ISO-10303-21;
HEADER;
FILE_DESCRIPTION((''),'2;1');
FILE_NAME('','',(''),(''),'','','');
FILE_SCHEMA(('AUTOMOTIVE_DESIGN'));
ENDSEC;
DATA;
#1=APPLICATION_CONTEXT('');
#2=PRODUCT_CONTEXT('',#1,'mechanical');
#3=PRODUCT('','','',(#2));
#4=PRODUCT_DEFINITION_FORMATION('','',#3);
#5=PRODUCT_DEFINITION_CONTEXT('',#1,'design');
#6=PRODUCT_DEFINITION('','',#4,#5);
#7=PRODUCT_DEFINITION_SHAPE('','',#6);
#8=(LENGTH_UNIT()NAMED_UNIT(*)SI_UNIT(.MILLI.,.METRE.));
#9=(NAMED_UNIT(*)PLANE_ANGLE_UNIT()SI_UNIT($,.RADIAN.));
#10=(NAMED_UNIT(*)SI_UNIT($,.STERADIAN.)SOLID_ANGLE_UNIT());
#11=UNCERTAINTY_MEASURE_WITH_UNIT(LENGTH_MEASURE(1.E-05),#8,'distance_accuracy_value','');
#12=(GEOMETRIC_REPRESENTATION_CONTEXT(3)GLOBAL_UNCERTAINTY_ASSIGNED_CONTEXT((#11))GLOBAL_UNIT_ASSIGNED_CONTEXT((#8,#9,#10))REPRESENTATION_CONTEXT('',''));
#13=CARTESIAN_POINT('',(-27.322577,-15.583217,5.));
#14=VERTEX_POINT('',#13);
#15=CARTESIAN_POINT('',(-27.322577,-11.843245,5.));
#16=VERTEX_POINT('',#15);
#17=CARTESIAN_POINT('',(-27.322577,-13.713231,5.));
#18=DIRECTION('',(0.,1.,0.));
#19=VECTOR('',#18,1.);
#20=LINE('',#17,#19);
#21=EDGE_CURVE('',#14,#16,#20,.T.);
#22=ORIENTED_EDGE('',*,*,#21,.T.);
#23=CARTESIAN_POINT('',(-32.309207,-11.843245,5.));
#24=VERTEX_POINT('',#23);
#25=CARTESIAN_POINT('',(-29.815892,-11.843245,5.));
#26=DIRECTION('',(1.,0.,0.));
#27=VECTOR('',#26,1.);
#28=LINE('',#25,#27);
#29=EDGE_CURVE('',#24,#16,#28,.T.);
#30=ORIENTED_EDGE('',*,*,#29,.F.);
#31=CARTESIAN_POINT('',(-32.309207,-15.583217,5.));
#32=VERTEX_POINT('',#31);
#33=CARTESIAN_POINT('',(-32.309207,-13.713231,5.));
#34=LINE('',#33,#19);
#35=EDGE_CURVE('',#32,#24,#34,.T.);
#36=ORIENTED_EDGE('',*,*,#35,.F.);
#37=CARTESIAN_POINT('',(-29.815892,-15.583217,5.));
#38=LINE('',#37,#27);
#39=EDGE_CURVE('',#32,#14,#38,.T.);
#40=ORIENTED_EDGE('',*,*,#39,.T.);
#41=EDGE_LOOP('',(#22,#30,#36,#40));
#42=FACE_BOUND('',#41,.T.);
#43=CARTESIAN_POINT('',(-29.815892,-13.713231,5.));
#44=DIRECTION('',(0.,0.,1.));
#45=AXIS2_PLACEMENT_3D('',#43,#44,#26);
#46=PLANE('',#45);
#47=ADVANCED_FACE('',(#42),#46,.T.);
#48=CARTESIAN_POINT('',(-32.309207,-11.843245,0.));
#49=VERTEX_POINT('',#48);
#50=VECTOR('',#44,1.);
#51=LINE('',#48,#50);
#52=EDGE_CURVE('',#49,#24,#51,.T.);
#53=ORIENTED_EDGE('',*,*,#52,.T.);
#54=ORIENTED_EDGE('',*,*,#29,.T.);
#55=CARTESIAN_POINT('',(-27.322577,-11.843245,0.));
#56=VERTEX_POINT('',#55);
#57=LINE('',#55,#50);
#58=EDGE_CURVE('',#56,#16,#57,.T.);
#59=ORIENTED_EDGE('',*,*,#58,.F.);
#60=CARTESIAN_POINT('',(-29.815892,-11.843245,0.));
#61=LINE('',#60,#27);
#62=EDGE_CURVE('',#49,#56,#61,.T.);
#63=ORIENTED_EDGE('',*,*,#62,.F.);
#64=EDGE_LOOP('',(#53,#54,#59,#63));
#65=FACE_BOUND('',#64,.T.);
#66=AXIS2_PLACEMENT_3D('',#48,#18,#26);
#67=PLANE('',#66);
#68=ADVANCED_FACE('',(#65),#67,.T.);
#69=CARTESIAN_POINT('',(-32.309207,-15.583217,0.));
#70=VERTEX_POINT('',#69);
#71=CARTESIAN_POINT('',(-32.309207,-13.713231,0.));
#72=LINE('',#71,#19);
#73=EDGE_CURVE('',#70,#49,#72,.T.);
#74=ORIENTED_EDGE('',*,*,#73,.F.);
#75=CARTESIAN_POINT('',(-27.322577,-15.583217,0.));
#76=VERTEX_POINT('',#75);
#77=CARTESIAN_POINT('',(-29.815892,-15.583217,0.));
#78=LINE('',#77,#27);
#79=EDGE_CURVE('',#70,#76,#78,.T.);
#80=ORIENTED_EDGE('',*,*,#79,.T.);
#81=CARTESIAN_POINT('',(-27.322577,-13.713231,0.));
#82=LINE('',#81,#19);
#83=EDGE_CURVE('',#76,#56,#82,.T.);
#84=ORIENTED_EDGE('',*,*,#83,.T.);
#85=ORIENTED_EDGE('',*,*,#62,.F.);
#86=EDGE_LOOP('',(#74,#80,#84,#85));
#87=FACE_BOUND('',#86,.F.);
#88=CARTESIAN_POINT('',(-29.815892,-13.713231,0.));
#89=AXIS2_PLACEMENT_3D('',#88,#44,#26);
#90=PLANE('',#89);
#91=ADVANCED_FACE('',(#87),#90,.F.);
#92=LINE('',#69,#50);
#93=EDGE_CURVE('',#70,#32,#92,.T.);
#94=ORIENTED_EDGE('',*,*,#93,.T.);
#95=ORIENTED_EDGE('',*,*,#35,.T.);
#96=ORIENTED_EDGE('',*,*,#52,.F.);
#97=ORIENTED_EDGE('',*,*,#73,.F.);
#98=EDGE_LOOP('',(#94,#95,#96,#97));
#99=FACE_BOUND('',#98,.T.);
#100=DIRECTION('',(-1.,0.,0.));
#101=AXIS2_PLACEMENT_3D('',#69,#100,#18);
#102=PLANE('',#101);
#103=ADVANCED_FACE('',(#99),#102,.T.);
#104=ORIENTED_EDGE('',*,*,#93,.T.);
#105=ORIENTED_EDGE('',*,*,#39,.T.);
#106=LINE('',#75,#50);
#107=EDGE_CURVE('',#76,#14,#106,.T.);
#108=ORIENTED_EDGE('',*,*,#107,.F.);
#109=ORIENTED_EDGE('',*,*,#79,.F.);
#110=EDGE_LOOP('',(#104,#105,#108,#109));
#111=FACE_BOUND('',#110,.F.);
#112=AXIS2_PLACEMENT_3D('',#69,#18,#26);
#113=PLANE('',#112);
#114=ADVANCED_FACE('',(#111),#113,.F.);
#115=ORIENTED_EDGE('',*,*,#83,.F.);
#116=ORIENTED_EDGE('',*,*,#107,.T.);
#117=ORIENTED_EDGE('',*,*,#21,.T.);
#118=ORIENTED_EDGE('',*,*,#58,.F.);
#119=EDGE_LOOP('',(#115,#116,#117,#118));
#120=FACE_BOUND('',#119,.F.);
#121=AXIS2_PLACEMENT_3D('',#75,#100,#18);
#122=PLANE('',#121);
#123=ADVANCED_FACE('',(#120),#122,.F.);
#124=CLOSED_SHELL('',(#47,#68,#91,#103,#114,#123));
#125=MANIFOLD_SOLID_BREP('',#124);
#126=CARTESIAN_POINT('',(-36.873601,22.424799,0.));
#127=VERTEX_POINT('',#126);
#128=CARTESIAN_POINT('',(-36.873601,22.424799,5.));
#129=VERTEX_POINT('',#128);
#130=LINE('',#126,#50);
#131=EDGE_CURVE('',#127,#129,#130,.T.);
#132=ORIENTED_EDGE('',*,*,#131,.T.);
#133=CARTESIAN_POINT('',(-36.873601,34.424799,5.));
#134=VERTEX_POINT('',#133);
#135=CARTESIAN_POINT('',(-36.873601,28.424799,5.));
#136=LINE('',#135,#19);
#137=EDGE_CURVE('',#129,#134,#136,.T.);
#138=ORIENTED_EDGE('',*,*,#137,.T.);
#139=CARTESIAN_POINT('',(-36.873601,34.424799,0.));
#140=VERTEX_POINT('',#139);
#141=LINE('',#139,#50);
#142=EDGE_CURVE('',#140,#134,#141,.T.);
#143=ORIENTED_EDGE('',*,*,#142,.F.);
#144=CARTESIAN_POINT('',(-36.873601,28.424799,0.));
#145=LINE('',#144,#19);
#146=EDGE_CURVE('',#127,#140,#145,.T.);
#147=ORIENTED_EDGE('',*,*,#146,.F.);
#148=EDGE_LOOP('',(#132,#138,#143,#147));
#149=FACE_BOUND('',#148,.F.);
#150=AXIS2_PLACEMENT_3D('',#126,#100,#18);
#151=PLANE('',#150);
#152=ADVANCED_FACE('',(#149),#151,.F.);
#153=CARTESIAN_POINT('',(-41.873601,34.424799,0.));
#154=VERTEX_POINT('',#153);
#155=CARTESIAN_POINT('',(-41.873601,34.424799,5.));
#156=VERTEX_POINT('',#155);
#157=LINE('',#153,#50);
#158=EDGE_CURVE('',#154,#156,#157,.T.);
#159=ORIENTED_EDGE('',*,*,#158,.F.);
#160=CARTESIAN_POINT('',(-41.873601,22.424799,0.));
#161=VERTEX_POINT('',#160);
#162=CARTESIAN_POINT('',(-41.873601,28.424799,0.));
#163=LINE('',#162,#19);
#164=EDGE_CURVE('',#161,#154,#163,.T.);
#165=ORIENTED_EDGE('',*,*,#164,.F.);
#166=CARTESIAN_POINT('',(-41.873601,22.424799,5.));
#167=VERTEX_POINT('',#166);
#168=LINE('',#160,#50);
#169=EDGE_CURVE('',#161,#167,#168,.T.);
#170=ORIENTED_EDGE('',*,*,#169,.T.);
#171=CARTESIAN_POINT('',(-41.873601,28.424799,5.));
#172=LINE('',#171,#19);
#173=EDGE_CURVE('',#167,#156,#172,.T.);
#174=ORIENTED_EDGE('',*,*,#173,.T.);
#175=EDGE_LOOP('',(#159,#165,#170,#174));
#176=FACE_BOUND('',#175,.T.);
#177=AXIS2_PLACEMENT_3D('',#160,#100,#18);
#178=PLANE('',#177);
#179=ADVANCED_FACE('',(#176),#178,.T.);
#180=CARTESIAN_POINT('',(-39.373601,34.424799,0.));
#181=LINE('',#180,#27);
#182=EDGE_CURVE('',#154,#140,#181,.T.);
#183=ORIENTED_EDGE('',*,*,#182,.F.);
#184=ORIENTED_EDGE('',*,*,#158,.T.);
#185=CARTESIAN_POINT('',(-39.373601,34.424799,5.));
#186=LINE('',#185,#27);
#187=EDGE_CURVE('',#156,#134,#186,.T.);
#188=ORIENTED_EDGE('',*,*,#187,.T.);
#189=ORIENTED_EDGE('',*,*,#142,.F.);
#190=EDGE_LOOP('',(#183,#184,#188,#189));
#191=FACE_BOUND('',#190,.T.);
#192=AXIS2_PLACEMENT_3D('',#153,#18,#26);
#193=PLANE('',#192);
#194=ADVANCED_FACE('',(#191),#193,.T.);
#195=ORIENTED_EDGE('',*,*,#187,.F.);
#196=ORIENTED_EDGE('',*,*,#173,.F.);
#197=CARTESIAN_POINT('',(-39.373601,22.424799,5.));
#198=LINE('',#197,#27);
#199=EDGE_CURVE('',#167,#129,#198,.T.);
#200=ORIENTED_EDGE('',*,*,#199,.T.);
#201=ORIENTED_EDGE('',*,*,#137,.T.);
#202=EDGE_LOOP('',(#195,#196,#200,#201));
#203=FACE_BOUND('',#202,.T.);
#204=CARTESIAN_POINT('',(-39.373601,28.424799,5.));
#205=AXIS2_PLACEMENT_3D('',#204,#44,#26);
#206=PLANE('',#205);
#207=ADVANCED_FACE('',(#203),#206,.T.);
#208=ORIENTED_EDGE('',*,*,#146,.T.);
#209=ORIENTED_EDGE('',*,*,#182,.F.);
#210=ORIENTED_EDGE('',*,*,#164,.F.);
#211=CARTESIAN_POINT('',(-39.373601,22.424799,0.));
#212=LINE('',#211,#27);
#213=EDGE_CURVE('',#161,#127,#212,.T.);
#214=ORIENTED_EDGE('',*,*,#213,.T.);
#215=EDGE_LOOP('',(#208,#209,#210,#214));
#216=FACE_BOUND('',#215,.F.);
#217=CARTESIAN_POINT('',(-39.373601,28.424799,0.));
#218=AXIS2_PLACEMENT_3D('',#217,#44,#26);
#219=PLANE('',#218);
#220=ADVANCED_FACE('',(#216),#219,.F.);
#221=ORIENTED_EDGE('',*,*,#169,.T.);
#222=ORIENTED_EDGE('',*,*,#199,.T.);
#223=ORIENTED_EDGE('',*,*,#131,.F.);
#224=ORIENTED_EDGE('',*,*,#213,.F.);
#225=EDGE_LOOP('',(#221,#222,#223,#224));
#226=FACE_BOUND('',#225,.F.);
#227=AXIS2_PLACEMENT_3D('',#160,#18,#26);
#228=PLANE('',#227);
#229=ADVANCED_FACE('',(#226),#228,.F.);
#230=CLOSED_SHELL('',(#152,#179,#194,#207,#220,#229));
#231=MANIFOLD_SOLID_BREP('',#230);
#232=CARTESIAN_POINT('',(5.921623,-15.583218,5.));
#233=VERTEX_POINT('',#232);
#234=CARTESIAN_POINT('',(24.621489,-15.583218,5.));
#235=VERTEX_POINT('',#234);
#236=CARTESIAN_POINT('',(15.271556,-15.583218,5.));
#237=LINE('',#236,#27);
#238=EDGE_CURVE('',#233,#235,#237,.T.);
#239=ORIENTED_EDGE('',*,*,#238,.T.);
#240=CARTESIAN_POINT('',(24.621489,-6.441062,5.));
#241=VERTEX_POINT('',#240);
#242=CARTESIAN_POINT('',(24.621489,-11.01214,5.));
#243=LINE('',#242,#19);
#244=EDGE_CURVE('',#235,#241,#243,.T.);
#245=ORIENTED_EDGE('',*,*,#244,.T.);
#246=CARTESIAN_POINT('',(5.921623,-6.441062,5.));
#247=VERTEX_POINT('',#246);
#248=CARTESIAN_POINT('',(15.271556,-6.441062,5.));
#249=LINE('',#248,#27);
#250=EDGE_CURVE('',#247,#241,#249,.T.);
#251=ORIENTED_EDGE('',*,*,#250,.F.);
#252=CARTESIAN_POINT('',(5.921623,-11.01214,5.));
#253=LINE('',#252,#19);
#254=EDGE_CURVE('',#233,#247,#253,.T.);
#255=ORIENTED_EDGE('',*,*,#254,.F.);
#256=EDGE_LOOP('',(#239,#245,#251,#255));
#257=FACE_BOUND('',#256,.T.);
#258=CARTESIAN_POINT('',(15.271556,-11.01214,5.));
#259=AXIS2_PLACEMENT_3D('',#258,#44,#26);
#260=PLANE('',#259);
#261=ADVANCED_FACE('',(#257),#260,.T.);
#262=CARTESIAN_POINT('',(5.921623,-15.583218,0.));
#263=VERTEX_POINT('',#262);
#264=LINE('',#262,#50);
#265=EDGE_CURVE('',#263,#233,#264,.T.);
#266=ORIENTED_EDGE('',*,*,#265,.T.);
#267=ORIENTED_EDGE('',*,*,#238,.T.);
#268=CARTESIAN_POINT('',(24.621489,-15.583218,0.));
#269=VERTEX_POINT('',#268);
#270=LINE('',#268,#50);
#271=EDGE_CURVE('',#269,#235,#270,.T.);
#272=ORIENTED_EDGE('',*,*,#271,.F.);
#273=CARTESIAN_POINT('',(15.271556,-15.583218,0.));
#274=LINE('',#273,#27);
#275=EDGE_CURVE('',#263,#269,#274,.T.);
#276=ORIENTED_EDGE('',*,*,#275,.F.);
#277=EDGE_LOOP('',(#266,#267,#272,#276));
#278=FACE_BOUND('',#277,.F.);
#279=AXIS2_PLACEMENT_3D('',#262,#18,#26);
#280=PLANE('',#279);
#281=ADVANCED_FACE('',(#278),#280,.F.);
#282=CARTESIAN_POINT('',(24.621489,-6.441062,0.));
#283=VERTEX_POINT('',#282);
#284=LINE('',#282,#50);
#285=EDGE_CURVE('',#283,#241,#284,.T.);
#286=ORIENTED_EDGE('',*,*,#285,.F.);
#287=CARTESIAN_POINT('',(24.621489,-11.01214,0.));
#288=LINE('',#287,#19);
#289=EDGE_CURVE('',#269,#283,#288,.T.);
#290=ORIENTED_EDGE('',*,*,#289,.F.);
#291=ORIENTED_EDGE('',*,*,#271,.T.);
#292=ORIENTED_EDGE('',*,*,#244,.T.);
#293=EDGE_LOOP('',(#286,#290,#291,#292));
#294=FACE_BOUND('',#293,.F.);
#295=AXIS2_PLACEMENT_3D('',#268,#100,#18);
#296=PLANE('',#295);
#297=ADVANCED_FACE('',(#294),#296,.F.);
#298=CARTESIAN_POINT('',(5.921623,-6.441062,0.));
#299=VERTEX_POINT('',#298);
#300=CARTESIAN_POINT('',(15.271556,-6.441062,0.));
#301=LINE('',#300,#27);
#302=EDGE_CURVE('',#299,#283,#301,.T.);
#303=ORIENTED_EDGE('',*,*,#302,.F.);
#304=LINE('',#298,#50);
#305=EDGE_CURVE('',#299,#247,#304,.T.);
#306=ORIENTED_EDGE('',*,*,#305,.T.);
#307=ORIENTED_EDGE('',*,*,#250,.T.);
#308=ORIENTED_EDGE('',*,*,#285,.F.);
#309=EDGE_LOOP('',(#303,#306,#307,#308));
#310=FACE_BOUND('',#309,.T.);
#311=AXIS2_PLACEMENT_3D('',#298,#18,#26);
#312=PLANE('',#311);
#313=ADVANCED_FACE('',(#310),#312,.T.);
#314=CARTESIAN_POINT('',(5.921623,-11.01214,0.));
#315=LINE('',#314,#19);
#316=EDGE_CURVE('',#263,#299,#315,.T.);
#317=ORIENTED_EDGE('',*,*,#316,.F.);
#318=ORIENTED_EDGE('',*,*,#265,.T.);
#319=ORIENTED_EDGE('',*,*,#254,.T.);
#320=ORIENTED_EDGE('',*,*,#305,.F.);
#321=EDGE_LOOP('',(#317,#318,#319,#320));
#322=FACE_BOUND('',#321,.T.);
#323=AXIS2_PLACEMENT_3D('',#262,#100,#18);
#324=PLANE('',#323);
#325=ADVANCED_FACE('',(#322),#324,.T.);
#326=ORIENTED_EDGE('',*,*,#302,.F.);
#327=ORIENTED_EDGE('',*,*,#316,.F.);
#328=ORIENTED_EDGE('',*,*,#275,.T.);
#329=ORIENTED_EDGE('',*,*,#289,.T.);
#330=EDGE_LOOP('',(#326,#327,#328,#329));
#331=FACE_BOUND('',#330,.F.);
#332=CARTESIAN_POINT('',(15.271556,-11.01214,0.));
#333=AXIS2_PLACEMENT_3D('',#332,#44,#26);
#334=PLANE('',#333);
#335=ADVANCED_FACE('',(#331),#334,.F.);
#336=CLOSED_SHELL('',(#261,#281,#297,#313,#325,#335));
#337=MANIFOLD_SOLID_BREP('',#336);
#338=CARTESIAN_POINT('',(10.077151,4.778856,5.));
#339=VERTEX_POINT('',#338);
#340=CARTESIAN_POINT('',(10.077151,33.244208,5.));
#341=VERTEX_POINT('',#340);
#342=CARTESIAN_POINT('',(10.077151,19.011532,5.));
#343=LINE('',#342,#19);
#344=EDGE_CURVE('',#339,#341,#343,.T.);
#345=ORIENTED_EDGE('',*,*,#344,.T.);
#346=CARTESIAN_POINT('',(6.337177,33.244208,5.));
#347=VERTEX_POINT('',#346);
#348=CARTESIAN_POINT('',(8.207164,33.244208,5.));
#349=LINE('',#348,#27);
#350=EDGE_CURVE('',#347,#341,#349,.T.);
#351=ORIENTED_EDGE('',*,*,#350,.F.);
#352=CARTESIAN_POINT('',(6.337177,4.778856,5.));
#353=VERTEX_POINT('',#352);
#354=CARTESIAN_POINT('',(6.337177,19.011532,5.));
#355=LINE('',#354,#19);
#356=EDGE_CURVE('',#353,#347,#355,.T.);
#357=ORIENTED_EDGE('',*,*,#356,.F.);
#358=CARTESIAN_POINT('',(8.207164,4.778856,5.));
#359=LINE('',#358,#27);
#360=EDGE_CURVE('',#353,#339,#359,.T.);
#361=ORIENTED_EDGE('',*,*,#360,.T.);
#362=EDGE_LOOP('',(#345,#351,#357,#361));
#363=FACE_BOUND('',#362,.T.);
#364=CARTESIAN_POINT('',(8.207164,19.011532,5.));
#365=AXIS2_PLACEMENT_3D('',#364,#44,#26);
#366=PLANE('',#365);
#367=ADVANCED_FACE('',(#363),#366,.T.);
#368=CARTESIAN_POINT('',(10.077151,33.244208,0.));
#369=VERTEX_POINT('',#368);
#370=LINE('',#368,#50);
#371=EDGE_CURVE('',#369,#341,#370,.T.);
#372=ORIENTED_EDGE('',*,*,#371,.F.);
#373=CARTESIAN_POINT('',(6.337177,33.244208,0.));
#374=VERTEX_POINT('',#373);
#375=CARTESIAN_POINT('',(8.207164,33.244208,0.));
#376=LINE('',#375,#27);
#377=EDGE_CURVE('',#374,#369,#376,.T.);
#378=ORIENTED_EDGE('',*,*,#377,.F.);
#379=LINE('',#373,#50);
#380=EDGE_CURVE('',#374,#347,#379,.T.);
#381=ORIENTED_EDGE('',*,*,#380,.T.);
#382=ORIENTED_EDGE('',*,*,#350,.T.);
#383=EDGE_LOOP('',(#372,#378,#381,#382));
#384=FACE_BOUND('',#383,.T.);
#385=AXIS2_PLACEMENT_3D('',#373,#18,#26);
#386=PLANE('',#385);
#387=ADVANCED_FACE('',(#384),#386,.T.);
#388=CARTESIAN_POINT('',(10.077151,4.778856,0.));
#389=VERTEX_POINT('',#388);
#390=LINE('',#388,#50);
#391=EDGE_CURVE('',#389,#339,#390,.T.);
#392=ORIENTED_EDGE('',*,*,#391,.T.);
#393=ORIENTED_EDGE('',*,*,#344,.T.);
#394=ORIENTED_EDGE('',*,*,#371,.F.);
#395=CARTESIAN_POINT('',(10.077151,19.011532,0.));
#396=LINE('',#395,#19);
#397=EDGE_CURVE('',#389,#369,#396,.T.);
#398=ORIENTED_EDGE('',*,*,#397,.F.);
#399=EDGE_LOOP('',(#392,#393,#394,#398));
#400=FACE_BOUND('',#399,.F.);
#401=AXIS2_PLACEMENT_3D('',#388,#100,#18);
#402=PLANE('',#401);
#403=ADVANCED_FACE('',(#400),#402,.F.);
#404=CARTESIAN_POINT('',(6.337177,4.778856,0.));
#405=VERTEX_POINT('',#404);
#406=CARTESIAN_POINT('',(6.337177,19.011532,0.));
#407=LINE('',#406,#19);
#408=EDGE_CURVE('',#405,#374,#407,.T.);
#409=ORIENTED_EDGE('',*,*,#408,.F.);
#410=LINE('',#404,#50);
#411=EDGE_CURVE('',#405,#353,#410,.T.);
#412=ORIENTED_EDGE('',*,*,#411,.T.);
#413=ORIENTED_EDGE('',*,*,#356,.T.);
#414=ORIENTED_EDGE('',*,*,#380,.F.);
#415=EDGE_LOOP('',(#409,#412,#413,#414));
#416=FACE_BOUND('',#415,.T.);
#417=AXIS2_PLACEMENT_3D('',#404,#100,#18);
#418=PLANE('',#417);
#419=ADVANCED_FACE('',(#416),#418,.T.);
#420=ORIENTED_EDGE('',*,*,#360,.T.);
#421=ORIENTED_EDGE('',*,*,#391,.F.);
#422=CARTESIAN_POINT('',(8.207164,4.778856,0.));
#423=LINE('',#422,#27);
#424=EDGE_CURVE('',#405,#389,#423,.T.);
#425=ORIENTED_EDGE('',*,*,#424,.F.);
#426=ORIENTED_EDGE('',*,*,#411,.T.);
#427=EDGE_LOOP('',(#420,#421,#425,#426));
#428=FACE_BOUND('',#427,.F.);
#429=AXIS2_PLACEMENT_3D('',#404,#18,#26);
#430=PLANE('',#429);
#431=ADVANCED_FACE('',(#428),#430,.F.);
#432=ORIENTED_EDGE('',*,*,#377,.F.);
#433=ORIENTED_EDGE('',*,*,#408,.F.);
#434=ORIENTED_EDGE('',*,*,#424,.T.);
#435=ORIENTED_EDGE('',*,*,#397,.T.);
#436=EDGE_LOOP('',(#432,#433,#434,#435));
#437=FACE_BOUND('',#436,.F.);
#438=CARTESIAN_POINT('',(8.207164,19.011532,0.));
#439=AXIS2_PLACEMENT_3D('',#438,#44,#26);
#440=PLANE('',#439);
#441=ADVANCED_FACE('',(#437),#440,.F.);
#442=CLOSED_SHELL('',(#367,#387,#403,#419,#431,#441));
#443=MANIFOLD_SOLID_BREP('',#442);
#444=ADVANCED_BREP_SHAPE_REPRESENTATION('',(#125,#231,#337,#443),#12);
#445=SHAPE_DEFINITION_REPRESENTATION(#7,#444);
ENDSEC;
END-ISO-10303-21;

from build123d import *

# Parameters (mm, degrees)
F0_W     = 5
F0_H     = 12
F0_W_2   = 3.739974
F0_H_2   = 28.465352
F0_W_3   = 4.986631
F0_H_3   = 3.739973
F0_W_4   = 18.699865
F0_H_4   = 9.142156
F1_DEPTH = 5


with BuildPart() as f1:
    # F0 (on Top) → F1 (new body)
    with BuildSketch(Plane.XY):
        with Locations((-39.373601, 28.424799)):
            Rectangle(F0_W, F0_H)
        with Locations((8.207164, 19.011532)):
            Rectangle(F0_W_2, F0_H_2)
        with Locations((-29.815892, -13.713231)):
            Rectangle(F0_W_3, F0_H_3)
        with Locations((15.271556, -11.01214)):
            Rectangle(F0_W_4, F0_H_4)
    extrude(amount=F1_DEPTH)


solid = f1.part
